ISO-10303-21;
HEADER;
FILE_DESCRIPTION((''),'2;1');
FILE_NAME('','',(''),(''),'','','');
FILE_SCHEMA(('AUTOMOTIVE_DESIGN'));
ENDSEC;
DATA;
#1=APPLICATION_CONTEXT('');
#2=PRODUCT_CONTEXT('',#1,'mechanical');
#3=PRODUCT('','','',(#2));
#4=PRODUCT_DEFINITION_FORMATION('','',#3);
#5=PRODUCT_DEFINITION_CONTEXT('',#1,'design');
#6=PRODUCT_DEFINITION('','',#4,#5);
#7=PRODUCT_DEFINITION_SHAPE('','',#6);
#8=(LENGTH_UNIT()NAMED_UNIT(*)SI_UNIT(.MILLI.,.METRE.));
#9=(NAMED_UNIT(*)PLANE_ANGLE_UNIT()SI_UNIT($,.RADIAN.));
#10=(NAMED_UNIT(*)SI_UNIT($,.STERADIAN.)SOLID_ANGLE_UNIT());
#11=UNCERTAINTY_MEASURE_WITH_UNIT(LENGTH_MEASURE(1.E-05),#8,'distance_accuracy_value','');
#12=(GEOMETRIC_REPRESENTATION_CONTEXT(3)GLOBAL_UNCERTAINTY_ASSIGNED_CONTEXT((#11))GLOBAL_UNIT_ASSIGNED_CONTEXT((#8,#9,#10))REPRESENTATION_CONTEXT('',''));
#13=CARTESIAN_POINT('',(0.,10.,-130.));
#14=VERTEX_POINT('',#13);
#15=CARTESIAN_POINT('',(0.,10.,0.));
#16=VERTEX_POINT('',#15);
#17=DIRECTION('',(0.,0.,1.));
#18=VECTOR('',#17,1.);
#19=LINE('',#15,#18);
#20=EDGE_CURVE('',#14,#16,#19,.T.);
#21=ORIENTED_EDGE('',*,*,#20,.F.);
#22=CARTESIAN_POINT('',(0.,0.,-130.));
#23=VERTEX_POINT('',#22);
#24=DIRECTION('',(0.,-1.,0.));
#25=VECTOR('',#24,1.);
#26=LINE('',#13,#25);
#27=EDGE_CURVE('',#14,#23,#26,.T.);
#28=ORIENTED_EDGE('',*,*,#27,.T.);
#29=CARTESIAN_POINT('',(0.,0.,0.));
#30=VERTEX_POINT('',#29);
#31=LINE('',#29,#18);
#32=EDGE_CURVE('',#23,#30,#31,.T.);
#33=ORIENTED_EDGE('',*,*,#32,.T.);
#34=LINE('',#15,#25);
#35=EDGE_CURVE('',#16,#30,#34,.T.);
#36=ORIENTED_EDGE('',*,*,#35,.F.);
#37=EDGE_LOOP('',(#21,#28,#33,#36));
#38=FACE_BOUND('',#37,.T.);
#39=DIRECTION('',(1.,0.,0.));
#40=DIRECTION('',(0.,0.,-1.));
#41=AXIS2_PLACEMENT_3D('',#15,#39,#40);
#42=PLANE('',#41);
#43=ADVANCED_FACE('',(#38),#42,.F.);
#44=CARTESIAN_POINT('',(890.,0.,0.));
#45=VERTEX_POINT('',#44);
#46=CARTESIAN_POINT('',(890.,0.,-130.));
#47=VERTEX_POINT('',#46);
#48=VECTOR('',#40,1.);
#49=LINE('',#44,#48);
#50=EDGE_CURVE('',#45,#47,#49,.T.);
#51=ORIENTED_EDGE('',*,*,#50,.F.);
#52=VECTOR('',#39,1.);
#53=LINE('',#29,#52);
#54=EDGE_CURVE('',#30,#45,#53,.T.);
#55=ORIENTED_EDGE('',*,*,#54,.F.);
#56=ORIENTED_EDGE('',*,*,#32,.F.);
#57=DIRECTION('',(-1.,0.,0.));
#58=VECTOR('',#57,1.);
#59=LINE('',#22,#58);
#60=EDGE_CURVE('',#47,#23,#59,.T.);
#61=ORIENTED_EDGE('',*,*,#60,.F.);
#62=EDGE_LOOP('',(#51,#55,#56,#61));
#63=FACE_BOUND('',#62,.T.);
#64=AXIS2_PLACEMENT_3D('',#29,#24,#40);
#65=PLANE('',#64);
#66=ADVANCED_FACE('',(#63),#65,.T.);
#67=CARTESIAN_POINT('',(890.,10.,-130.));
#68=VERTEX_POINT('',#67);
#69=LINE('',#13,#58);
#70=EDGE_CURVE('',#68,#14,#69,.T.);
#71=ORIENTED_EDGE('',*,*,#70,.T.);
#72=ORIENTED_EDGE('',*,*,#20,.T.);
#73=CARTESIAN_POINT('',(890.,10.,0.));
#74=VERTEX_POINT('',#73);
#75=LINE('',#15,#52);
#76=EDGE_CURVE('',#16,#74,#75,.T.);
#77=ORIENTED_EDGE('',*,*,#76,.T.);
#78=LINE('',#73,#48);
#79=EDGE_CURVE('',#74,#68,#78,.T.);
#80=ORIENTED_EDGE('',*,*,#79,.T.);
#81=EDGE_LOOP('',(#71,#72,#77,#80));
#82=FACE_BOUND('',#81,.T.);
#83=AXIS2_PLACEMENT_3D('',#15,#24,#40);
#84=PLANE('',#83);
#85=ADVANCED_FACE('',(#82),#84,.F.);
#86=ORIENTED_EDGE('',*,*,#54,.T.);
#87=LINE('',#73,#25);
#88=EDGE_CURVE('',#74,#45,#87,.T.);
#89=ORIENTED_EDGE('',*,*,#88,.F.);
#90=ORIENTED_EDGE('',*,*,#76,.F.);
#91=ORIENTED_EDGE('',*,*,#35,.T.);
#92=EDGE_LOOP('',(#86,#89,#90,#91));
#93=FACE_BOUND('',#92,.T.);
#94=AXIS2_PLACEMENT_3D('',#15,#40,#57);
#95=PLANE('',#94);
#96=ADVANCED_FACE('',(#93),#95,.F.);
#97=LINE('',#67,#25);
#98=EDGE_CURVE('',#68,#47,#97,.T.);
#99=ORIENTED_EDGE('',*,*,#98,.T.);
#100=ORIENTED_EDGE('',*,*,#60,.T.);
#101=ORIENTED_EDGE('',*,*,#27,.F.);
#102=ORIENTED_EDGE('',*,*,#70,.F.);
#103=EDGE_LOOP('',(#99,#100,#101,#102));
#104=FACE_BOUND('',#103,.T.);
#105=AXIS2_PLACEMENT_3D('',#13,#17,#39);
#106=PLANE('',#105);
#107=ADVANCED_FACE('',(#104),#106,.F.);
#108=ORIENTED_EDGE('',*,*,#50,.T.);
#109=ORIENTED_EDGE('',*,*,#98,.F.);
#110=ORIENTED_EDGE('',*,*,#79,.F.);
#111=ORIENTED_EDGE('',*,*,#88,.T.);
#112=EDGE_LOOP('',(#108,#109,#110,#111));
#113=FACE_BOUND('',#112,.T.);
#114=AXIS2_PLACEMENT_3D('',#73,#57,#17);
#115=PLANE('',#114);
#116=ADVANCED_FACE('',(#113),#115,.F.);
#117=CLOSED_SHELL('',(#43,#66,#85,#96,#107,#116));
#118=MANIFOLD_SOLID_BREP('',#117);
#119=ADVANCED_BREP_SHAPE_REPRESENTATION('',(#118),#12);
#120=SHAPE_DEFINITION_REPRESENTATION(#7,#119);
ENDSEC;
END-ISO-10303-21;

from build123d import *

# Parameters (mm, degrees)
CROQUIS1_W              = 890
CROQUIS1_H              = 130
SALIENTE_EXTRUIR1_DEPTH = 10


with BuildPart() as part:
    # Croquis1 → Saliente-Extruir1 (new body)
    with BuildSketch(Plane(origin=(0, 0, 0), x_dir=(1, 0, 0), z_dir=(0, 1, 0))):
        with Locations((445, 65)):
            Rectangle(CROQUIS1_W, CROQUIS1_H)
    extrude(amount=SALIENTE_EXTRUIR1_DEPTH)


solid = part.part
